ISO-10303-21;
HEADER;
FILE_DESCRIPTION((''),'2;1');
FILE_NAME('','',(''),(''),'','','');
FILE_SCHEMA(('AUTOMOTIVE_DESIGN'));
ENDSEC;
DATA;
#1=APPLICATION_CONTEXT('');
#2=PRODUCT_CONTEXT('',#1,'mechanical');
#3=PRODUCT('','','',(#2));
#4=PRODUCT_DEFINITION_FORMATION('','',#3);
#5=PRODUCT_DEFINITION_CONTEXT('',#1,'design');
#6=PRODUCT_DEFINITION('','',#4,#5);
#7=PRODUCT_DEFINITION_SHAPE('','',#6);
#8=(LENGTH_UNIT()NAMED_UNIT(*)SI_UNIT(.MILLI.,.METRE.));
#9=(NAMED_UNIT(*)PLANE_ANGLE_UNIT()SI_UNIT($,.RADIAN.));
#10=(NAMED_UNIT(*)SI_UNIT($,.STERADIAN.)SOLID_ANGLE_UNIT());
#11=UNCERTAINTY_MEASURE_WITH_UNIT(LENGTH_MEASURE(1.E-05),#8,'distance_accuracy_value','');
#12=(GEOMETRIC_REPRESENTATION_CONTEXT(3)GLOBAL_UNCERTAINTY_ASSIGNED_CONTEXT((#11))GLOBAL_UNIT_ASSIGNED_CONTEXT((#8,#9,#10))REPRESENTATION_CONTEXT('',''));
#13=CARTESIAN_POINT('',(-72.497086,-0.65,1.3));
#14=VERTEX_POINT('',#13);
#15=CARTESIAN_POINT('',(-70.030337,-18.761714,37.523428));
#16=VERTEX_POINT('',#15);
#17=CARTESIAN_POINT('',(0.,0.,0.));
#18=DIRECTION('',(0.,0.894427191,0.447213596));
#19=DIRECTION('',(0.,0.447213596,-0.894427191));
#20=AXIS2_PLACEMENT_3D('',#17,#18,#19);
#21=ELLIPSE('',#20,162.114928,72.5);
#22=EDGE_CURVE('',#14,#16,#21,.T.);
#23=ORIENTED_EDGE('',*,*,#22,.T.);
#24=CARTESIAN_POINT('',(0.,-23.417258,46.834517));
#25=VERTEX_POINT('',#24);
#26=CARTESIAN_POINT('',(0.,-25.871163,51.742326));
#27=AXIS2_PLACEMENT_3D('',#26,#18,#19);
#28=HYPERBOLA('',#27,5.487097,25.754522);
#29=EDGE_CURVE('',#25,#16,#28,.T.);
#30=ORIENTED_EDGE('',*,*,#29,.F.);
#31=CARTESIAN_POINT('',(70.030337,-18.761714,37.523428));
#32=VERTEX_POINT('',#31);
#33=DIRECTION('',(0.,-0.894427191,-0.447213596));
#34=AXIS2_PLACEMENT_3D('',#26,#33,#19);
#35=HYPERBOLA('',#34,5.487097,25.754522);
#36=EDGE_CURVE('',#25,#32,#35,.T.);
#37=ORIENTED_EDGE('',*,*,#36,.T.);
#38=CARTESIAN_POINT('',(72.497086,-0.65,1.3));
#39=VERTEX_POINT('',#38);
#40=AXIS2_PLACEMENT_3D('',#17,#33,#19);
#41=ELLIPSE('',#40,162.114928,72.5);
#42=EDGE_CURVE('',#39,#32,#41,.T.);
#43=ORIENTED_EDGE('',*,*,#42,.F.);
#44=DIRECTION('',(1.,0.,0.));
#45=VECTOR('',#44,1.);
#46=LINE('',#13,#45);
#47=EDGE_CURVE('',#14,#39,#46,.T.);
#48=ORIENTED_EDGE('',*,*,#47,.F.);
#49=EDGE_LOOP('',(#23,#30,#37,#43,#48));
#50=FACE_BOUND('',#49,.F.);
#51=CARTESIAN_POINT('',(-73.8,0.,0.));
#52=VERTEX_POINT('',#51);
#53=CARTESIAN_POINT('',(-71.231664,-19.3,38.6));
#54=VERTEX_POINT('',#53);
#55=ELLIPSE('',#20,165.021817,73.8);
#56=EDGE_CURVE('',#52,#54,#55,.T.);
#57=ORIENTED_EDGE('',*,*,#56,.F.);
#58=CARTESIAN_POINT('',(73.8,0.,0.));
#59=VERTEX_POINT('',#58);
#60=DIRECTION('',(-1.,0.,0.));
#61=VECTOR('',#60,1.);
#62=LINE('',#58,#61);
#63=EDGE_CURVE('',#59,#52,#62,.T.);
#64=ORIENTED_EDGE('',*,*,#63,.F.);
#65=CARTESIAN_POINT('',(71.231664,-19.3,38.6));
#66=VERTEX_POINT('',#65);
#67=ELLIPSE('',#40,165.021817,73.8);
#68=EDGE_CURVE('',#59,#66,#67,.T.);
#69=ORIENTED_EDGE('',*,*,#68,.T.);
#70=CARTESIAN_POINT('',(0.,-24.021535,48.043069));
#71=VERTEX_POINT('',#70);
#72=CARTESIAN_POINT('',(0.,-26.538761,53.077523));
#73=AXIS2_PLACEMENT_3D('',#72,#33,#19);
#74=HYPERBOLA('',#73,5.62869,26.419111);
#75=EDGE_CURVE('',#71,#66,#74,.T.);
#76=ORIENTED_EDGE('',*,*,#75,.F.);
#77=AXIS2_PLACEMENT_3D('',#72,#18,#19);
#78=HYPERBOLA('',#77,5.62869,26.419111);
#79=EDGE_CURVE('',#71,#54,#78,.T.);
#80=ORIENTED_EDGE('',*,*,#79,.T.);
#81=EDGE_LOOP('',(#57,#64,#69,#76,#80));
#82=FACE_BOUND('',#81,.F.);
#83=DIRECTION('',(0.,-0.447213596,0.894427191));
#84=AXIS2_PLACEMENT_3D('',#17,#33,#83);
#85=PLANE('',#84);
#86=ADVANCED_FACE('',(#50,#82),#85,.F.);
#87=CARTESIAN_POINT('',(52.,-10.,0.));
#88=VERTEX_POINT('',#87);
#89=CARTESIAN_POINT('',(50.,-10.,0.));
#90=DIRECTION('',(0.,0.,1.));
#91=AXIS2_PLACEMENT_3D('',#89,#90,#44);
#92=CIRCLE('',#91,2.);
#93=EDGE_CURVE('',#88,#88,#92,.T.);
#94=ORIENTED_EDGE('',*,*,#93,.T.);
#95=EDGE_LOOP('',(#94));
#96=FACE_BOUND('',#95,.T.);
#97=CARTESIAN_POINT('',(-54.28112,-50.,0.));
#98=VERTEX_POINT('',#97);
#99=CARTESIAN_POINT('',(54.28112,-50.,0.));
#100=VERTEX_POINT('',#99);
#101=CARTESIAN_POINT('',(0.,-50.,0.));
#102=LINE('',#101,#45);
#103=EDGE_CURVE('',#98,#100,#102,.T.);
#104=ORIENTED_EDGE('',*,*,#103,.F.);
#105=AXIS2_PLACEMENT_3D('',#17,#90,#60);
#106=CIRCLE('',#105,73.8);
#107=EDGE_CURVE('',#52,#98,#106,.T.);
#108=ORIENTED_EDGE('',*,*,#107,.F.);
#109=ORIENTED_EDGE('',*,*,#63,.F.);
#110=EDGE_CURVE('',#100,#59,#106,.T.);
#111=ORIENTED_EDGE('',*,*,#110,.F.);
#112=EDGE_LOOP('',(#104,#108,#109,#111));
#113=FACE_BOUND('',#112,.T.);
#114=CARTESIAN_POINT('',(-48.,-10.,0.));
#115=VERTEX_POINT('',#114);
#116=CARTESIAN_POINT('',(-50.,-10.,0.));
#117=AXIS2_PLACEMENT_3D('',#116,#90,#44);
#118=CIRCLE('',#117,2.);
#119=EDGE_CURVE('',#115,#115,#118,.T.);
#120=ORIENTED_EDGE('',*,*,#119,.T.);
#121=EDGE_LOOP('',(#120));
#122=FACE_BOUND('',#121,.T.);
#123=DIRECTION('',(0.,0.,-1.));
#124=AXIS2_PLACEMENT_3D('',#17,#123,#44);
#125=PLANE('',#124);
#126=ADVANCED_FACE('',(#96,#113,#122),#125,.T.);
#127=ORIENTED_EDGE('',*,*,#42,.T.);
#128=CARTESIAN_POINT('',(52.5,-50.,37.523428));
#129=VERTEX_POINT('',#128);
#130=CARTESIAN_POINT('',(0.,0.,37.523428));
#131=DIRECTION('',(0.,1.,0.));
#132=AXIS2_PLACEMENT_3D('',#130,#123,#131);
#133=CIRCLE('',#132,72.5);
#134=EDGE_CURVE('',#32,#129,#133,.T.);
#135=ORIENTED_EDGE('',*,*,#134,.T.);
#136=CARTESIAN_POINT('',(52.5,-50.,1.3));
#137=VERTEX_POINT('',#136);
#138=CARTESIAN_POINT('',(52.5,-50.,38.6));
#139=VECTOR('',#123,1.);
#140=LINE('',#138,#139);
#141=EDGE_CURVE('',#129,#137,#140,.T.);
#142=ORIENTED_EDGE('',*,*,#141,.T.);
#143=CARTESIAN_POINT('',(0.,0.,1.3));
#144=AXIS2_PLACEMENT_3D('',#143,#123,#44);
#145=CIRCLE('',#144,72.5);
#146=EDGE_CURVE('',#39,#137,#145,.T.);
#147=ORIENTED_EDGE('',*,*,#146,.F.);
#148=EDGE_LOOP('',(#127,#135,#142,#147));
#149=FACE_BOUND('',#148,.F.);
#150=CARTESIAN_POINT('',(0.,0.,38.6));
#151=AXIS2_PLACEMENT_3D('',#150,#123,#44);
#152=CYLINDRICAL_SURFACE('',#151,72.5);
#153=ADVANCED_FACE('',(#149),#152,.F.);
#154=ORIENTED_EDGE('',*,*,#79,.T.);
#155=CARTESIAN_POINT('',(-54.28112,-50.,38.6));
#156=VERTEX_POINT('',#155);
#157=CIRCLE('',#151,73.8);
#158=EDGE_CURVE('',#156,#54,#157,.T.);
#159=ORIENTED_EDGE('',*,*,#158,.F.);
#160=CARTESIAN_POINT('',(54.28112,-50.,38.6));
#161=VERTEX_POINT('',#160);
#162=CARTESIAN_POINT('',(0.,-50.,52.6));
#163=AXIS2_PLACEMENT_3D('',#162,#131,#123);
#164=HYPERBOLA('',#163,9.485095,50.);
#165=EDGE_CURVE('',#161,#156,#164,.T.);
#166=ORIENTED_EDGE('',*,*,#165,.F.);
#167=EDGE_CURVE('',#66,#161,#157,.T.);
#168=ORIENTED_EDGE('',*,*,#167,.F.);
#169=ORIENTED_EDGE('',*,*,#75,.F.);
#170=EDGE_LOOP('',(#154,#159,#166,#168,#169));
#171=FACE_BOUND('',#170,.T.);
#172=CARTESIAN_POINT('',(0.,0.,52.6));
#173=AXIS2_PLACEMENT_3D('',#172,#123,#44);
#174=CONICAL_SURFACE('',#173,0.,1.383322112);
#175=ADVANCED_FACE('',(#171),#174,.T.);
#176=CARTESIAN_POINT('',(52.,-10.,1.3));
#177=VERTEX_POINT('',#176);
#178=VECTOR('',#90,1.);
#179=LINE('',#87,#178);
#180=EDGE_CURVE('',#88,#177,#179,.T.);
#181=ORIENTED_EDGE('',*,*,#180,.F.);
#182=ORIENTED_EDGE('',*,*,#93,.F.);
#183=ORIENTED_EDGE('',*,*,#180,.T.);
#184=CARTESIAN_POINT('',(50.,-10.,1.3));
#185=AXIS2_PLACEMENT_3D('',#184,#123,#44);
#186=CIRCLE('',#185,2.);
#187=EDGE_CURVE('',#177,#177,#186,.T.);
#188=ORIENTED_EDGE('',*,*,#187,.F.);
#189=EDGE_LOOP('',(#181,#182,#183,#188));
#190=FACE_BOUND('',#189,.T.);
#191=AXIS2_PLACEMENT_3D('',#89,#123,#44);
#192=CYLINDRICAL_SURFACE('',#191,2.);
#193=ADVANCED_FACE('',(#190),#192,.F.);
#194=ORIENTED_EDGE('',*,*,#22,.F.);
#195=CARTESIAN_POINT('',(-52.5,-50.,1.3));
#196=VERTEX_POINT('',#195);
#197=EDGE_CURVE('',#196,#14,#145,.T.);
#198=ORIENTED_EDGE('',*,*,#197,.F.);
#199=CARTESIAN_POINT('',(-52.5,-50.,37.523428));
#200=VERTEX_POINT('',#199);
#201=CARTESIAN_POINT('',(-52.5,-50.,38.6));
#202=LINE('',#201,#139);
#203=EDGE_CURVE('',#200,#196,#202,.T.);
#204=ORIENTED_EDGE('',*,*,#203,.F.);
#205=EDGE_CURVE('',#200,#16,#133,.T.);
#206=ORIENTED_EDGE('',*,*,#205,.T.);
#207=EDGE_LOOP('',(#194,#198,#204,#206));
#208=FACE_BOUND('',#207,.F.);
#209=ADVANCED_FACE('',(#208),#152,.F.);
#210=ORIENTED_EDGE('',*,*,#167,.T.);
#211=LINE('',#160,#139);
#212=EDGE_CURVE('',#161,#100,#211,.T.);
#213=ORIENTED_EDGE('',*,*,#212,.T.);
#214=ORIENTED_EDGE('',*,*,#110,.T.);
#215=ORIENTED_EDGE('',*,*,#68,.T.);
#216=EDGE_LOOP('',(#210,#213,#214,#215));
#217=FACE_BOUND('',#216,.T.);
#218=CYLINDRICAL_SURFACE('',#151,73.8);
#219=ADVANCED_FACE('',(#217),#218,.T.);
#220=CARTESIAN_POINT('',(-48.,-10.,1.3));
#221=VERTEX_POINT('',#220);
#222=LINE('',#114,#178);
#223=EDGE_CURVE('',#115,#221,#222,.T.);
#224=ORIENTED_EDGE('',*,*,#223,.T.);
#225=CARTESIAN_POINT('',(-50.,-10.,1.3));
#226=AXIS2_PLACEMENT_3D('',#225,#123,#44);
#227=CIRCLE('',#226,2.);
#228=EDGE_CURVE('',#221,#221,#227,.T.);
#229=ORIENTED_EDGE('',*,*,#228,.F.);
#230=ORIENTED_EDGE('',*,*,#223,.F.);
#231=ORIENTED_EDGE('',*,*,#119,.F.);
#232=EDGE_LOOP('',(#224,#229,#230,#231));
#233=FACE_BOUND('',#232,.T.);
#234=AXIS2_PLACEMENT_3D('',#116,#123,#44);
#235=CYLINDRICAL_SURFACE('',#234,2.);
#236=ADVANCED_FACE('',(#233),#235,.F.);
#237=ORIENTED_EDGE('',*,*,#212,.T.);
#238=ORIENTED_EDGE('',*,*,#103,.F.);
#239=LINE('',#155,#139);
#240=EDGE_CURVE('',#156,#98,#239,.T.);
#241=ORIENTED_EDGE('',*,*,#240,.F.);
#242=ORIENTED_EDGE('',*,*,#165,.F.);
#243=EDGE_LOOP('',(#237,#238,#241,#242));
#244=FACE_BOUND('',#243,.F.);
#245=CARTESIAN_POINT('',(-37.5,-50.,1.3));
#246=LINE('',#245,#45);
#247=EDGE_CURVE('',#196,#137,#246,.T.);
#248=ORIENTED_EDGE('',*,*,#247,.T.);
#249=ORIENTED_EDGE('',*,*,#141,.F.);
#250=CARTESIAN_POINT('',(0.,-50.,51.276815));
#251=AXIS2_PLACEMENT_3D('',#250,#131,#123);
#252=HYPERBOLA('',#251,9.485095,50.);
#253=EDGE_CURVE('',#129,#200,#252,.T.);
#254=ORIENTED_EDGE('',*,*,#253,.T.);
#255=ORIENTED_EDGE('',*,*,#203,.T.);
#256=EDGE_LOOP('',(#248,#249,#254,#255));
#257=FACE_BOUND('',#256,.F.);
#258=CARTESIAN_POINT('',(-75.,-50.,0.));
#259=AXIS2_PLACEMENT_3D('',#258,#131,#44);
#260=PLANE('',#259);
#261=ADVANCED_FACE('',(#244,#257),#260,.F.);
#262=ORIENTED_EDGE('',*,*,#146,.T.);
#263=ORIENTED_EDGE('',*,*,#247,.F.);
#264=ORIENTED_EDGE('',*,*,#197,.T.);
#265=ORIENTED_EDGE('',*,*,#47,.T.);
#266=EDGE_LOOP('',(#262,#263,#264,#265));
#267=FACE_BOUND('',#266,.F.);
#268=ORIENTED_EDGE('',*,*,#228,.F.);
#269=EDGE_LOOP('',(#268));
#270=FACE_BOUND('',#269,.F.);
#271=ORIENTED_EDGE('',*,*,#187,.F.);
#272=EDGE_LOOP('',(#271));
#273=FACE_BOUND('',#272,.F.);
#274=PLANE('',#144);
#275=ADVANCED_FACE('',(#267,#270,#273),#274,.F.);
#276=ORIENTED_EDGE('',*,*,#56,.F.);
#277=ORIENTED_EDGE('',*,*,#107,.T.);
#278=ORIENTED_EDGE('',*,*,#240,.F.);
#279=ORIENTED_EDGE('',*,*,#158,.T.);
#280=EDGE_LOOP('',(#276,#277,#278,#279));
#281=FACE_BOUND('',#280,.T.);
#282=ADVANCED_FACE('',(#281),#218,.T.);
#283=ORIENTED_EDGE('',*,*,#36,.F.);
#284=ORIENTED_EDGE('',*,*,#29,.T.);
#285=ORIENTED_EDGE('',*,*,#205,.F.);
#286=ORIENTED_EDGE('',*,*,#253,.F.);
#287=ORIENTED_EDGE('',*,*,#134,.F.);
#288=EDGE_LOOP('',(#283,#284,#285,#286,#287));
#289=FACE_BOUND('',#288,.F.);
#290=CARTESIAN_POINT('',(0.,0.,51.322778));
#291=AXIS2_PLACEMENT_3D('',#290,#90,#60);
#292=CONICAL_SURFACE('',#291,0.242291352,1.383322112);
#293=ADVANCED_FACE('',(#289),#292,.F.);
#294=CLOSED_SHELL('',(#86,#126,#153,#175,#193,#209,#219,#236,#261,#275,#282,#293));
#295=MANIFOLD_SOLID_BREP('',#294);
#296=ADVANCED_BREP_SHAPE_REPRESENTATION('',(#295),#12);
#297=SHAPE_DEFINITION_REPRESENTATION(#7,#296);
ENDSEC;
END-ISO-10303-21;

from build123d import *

# Parameters (mm, degrees)
REVOLUTION_ANGLE     = -180
THICKNESS_T          = -1.3
POCKET_DEPTH         = 73.801
POCKET_DEPTH_BACK    = -73.801
SKETCH002_R          = 2
POCKET001_DEPTH      = 5
SKETCH003_W          = 150
SKETCH003_H          = 50
POCKET002_DEPTH      = 0.001
POCKET002_DEPTH_BACK = -48.044069


with BuildPart() as part:
    # Sketch → Revolution (revolve)
    with BuildSketch(Plane.XZ):
        Polygon((0, 0), (0, 52.6), (73.8, 38.6), (73.8, 0), align=None)
    revolve(axis=Axis((0, 0, 0), (0, 0, 1)), revolution_arc=REVOLUTION_ANGLE)

    # Thickness
    thickness_openings = [part.faces().sort_by_distance(p)[0] for p in [
        (0, 0, 22.979094),
    ]]
    offset(amount=THICKNESS_T, openings=thickness_openings)

    # Sketch001 → Pocket (cut, two sides)
    with BuildSketch(Plane.YZ) as pocket_sk:
        Polygon((0, 0), (-30, 60), (10, 60), (10, 0), align=None)
    extrude(amount=-POCKET_DEPTH, mode=Mode.SUBTRACT)
    extrude(pocket_sk.sketch, amount=-POCKET_DEPTH_BACK, mode=Mode.SUBTRACT)

    # Sketch002 → Pocket001 (cut)
    with BuildSketch(Plane.XY):
        with Locations((-50, -10)):
            Circle(SKETCH002_R)
        with Locations((50, -10)):
            Circle(SKETCH002_R)
    extrude(amount=POCKET001_DEPTH, mode=Mode.SUBTRACT)

    # Sketch003 → Pocket002 (cut, two sides)
    with BuildSketch(Plane.XY) as pocket002_sk:
        with Locations((0, -75)):
            Rectangle(SKETCH003_W, SKETCH003_H)
    extrude(amount=-POCKET002_DEPTH, mode=Mode.SUBTRACT)
    extrude(pocket002_sk.sketch, amount=-POCKET002_DEPTH_BACK, mode=Mode.SUBTRACT)


solid = part.part
